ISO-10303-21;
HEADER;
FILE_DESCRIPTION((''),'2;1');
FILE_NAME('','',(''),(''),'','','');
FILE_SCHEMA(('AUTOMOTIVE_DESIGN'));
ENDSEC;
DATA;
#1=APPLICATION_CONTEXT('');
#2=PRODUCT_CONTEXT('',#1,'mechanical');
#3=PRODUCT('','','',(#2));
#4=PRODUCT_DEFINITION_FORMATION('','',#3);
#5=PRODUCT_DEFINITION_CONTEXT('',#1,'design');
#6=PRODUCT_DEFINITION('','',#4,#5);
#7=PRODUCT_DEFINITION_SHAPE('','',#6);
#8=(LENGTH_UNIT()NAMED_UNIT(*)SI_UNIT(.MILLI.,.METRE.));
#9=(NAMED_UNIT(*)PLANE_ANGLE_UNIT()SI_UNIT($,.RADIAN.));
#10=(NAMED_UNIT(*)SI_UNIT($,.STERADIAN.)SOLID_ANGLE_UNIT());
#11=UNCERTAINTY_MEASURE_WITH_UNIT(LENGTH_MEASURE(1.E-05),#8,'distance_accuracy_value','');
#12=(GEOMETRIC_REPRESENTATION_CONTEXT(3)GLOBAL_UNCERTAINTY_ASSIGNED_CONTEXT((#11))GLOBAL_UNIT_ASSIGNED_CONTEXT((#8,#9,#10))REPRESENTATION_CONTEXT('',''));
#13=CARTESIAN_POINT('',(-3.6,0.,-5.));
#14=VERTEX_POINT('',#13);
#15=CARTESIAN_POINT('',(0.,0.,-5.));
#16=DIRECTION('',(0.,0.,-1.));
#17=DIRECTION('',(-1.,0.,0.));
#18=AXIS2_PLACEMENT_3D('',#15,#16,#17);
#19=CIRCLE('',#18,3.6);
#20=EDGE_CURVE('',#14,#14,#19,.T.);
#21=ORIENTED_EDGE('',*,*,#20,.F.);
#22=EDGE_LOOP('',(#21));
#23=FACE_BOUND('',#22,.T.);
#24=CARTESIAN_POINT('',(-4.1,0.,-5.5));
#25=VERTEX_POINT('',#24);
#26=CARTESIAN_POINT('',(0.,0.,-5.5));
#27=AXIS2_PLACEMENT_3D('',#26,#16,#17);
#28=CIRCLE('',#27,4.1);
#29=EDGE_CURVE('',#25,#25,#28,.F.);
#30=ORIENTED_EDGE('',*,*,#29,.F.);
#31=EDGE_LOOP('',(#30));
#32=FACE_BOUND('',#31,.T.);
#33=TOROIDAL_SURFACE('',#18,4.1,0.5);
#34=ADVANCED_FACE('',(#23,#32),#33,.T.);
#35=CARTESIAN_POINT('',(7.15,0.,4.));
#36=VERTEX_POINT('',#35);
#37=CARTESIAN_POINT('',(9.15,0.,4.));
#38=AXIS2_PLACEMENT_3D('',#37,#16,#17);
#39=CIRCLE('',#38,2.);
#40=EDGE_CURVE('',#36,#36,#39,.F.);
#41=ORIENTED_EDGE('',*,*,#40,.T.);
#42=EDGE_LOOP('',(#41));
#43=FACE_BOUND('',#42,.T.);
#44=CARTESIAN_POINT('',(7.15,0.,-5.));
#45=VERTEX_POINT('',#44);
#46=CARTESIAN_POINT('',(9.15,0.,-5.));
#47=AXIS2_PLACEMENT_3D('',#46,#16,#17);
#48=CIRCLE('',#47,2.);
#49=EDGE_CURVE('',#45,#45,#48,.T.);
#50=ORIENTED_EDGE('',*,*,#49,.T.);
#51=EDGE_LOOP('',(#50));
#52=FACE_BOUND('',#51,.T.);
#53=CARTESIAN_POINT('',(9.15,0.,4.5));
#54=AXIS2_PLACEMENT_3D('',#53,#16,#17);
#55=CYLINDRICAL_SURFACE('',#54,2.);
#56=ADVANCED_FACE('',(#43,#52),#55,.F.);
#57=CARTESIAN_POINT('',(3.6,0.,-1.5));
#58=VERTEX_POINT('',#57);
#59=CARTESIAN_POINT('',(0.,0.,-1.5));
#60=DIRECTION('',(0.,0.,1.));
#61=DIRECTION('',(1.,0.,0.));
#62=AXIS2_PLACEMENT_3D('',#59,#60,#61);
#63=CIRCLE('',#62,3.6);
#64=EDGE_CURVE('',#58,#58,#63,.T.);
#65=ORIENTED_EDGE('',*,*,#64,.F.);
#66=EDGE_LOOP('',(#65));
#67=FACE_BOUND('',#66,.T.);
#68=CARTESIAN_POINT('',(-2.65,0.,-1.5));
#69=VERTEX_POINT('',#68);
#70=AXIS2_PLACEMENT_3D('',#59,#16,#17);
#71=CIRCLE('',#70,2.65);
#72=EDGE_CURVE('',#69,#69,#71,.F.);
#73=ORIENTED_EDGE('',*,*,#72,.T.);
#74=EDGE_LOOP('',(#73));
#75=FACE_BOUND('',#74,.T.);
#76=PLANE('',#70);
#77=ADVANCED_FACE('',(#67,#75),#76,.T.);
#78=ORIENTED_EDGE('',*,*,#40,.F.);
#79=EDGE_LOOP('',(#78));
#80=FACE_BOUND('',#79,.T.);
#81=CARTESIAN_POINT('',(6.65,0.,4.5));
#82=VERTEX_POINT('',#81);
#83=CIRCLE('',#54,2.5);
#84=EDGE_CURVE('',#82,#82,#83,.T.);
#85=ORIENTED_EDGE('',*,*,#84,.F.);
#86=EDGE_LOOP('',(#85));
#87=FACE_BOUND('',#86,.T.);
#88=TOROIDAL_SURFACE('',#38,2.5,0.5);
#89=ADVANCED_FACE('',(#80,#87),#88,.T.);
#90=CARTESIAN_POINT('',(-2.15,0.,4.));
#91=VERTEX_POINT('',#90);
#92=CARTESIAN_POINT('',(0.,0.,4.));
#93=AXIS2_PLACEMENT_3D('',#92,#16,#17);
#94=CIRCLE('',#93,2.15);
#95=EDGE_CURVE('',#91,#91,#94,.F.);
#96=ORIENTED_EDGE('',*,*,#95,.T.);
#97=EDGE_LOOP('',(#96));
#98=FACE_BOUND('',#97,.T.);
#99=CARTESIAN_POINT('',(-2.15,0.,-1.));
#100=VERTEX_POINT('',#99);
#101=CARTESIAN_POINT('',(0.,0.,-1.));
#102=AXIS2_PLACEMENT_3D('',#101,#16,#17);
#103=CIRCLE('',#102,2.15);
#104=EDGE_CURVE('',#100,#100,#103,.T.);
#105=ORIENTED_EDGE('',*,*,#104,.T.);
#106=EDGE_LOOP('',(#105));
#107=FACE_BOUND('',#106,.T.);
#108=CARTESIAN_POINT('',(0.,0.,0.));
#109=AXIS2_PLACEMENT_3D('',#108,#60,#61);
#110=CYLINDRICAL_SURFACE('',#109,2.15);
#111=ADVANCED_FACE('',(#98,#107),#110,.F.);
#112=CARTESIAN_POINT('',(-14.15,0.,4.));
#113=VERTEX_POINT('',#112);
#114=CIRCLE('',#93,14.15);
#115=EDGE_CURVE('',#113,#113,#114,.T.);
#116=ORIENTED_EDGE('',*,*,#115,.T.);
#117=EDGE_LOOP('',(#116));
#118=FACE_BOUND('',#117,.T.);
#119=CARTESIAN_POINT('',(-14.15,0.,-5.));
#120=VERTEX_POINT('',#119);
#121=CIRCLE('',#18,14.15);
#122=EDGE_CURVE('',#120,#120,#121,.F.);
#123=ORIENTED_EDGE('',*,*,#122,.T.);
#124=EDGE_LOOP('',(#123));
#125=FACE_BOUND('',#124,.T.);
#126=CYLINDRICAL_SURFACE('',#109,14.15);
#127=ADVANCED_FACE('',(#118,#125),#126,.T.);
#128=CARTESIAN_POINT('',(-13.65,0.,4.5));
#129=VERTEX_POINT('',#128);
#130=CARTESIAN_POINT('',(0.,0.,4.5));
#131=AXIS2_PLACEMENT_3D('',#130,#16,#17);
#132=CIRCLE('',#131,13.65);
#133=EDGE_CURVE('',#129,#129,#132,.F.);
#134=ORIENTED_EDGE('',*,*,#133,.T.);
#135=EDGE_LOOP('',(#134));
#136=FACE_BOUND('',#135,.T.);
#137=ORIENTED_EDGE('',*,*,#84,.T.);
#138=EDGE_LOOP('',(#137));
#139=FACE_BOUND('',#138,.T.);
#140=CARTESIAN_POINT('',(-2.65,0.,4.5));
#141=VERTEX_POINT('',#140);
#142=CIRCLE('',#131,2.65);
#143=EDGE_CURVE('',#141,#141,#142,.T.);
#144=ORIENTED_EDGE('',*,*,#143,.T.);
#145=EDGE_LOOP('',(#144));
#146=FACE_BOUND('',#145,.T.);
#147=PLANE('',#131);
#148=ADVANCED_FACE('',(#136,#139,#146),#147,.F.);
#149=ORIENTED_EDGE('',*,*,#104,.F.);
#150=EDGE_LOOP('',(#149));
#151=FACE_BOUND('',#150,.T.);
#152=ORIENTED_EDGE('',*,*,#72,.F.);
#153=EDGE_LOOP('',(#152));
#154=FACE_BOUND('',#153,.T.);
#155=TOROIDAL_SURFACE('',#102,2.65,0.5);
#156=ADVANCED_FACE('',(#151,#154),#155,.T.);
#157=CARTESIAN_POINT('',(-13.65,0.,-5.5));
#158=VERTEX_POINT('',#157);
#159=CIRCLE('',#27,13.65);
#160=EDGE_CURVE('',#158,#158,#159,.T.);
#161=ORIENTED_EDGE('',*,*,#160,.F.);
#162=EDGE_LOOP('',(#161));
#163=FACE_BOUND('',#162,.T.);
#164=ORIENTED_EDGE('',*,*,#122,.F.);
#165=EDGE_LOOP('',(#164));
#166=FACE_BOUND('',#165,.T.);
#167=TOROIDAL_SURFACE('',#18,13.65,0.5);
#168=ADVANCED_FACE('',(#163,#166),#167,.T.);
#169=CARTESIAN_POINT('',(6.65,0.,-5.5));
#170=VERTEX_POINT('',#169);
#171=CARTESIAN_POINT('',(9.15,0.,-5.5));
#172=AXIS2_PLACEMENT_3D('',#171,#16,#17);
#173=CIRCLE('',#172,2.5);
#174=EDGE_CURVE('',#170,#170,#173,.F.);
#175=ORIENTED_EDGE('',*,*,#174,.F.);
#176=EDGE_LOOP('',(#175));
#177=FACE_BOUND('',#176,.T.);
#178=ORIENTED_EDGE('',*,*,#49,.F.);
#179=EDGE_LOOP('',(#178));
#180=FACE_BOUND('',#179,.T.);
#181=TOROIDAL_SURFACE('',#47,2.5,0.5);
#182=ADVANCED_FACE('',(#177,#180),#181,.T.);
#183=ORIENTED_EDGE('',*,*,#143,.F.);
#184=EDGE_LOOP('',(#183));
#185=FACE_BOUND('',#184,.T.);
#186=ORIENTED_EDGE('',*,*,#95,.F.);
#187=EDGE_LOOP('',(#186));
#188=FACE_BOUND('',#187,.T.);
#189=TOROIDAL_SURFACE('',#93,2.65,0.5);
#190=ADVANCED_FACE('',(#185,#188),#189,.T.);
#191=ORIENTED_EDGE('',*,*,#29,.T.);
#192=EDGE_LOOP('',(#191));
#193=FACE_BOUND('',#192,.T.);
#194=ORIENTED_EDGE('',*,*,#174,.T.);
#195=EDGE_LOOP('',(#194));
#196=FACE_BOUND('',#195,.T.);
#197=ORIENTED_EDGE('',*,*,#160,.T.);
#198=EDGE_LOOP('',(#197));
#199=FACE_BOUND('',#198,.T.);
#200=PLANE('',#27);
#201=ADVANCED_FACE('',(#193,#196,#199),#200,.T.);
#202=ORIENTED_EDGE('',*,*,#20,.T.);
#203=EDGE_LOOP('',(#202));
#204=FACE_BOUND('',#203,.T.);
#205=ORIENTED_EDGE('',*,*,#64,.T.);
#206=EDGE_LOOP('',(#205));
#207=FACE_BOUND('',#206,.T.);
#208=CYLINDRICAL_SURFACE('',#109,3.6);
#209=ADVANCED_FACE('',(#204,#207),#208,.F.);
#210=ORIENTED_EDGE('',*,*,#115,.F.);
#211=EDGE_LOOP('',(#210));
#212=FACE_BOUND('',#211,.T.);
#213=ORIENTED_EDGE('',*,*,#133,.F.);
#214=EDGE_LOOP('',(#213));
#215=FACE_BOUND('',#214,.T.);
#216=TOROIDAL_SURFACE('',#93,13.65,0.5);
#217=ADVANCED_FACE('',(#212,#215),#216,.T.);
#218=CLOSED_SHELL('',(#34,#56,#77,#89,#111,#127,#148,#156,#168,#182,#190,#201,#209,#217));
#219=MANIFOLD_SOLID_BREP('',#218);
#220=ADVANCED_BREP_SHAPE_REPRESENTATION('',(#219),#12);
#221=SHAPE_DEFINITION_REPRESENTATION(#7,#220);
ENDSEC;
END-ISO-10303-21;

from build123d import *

# Parameters (mm, degrees)
SKETCH1_W          = 12
SKETCH1_H          = 6
SKETCH1_W_2        = 10.55
SKETCH1_H_2        = 4
SKETCH2_R          = 2
CUT_EXTRUDE1_DEPTH = 10
FILLET2_R          = 0.5


with BuildPart() as part:
    # Sketch1 → Revolve1 (revolve)
    with BuildSketch(Plane(origin=(0, 0, 0), x_dir=(1, 0, 0), z_dir=(0, 1, 0))):
        with Locations((8.15, -1.5)):
            Rectangle(SKETCH1_W, SKETCH1_H)
        with Locations((8.875, 3.5)):
            Rectangle(SKETCH1_W_2, SKETCH1_H_2)
    revolve(axis=Axis((0, 0, 0), (0, 0, -1)))

    # Sketch2 → Cut-Extrude1 (cut)
    with BuildSketch(Plane(origin=(0, 0, -5.5), x_dir=(-1, 0, 0), z_dir=(0, 0, -1))):
        with Locations((-9.15, 0)):
            Circle(SKETCH2_R)
    extrude(amount=-CUT_EXTRUDE1_DEPTH, mode=Mode.SUBTRACT)

    # Fillet2
    fillet2_edges = [part.edges().sort_by_distance(p)[0] for p in [
        (11.15, 0, 4.5),
        (11.15, 0, -5.5),
        (-2.15, 0, -1.5),
        (-3.6, 0, -5.5),
        (-14.15, 0, -5.5),
        (-14.15, 0, 4.5),
        (-2.15, 0, 4.5),
    ]]
    fillet(fillet2_edges, radius=FILLET2_R)


solid = part.part
